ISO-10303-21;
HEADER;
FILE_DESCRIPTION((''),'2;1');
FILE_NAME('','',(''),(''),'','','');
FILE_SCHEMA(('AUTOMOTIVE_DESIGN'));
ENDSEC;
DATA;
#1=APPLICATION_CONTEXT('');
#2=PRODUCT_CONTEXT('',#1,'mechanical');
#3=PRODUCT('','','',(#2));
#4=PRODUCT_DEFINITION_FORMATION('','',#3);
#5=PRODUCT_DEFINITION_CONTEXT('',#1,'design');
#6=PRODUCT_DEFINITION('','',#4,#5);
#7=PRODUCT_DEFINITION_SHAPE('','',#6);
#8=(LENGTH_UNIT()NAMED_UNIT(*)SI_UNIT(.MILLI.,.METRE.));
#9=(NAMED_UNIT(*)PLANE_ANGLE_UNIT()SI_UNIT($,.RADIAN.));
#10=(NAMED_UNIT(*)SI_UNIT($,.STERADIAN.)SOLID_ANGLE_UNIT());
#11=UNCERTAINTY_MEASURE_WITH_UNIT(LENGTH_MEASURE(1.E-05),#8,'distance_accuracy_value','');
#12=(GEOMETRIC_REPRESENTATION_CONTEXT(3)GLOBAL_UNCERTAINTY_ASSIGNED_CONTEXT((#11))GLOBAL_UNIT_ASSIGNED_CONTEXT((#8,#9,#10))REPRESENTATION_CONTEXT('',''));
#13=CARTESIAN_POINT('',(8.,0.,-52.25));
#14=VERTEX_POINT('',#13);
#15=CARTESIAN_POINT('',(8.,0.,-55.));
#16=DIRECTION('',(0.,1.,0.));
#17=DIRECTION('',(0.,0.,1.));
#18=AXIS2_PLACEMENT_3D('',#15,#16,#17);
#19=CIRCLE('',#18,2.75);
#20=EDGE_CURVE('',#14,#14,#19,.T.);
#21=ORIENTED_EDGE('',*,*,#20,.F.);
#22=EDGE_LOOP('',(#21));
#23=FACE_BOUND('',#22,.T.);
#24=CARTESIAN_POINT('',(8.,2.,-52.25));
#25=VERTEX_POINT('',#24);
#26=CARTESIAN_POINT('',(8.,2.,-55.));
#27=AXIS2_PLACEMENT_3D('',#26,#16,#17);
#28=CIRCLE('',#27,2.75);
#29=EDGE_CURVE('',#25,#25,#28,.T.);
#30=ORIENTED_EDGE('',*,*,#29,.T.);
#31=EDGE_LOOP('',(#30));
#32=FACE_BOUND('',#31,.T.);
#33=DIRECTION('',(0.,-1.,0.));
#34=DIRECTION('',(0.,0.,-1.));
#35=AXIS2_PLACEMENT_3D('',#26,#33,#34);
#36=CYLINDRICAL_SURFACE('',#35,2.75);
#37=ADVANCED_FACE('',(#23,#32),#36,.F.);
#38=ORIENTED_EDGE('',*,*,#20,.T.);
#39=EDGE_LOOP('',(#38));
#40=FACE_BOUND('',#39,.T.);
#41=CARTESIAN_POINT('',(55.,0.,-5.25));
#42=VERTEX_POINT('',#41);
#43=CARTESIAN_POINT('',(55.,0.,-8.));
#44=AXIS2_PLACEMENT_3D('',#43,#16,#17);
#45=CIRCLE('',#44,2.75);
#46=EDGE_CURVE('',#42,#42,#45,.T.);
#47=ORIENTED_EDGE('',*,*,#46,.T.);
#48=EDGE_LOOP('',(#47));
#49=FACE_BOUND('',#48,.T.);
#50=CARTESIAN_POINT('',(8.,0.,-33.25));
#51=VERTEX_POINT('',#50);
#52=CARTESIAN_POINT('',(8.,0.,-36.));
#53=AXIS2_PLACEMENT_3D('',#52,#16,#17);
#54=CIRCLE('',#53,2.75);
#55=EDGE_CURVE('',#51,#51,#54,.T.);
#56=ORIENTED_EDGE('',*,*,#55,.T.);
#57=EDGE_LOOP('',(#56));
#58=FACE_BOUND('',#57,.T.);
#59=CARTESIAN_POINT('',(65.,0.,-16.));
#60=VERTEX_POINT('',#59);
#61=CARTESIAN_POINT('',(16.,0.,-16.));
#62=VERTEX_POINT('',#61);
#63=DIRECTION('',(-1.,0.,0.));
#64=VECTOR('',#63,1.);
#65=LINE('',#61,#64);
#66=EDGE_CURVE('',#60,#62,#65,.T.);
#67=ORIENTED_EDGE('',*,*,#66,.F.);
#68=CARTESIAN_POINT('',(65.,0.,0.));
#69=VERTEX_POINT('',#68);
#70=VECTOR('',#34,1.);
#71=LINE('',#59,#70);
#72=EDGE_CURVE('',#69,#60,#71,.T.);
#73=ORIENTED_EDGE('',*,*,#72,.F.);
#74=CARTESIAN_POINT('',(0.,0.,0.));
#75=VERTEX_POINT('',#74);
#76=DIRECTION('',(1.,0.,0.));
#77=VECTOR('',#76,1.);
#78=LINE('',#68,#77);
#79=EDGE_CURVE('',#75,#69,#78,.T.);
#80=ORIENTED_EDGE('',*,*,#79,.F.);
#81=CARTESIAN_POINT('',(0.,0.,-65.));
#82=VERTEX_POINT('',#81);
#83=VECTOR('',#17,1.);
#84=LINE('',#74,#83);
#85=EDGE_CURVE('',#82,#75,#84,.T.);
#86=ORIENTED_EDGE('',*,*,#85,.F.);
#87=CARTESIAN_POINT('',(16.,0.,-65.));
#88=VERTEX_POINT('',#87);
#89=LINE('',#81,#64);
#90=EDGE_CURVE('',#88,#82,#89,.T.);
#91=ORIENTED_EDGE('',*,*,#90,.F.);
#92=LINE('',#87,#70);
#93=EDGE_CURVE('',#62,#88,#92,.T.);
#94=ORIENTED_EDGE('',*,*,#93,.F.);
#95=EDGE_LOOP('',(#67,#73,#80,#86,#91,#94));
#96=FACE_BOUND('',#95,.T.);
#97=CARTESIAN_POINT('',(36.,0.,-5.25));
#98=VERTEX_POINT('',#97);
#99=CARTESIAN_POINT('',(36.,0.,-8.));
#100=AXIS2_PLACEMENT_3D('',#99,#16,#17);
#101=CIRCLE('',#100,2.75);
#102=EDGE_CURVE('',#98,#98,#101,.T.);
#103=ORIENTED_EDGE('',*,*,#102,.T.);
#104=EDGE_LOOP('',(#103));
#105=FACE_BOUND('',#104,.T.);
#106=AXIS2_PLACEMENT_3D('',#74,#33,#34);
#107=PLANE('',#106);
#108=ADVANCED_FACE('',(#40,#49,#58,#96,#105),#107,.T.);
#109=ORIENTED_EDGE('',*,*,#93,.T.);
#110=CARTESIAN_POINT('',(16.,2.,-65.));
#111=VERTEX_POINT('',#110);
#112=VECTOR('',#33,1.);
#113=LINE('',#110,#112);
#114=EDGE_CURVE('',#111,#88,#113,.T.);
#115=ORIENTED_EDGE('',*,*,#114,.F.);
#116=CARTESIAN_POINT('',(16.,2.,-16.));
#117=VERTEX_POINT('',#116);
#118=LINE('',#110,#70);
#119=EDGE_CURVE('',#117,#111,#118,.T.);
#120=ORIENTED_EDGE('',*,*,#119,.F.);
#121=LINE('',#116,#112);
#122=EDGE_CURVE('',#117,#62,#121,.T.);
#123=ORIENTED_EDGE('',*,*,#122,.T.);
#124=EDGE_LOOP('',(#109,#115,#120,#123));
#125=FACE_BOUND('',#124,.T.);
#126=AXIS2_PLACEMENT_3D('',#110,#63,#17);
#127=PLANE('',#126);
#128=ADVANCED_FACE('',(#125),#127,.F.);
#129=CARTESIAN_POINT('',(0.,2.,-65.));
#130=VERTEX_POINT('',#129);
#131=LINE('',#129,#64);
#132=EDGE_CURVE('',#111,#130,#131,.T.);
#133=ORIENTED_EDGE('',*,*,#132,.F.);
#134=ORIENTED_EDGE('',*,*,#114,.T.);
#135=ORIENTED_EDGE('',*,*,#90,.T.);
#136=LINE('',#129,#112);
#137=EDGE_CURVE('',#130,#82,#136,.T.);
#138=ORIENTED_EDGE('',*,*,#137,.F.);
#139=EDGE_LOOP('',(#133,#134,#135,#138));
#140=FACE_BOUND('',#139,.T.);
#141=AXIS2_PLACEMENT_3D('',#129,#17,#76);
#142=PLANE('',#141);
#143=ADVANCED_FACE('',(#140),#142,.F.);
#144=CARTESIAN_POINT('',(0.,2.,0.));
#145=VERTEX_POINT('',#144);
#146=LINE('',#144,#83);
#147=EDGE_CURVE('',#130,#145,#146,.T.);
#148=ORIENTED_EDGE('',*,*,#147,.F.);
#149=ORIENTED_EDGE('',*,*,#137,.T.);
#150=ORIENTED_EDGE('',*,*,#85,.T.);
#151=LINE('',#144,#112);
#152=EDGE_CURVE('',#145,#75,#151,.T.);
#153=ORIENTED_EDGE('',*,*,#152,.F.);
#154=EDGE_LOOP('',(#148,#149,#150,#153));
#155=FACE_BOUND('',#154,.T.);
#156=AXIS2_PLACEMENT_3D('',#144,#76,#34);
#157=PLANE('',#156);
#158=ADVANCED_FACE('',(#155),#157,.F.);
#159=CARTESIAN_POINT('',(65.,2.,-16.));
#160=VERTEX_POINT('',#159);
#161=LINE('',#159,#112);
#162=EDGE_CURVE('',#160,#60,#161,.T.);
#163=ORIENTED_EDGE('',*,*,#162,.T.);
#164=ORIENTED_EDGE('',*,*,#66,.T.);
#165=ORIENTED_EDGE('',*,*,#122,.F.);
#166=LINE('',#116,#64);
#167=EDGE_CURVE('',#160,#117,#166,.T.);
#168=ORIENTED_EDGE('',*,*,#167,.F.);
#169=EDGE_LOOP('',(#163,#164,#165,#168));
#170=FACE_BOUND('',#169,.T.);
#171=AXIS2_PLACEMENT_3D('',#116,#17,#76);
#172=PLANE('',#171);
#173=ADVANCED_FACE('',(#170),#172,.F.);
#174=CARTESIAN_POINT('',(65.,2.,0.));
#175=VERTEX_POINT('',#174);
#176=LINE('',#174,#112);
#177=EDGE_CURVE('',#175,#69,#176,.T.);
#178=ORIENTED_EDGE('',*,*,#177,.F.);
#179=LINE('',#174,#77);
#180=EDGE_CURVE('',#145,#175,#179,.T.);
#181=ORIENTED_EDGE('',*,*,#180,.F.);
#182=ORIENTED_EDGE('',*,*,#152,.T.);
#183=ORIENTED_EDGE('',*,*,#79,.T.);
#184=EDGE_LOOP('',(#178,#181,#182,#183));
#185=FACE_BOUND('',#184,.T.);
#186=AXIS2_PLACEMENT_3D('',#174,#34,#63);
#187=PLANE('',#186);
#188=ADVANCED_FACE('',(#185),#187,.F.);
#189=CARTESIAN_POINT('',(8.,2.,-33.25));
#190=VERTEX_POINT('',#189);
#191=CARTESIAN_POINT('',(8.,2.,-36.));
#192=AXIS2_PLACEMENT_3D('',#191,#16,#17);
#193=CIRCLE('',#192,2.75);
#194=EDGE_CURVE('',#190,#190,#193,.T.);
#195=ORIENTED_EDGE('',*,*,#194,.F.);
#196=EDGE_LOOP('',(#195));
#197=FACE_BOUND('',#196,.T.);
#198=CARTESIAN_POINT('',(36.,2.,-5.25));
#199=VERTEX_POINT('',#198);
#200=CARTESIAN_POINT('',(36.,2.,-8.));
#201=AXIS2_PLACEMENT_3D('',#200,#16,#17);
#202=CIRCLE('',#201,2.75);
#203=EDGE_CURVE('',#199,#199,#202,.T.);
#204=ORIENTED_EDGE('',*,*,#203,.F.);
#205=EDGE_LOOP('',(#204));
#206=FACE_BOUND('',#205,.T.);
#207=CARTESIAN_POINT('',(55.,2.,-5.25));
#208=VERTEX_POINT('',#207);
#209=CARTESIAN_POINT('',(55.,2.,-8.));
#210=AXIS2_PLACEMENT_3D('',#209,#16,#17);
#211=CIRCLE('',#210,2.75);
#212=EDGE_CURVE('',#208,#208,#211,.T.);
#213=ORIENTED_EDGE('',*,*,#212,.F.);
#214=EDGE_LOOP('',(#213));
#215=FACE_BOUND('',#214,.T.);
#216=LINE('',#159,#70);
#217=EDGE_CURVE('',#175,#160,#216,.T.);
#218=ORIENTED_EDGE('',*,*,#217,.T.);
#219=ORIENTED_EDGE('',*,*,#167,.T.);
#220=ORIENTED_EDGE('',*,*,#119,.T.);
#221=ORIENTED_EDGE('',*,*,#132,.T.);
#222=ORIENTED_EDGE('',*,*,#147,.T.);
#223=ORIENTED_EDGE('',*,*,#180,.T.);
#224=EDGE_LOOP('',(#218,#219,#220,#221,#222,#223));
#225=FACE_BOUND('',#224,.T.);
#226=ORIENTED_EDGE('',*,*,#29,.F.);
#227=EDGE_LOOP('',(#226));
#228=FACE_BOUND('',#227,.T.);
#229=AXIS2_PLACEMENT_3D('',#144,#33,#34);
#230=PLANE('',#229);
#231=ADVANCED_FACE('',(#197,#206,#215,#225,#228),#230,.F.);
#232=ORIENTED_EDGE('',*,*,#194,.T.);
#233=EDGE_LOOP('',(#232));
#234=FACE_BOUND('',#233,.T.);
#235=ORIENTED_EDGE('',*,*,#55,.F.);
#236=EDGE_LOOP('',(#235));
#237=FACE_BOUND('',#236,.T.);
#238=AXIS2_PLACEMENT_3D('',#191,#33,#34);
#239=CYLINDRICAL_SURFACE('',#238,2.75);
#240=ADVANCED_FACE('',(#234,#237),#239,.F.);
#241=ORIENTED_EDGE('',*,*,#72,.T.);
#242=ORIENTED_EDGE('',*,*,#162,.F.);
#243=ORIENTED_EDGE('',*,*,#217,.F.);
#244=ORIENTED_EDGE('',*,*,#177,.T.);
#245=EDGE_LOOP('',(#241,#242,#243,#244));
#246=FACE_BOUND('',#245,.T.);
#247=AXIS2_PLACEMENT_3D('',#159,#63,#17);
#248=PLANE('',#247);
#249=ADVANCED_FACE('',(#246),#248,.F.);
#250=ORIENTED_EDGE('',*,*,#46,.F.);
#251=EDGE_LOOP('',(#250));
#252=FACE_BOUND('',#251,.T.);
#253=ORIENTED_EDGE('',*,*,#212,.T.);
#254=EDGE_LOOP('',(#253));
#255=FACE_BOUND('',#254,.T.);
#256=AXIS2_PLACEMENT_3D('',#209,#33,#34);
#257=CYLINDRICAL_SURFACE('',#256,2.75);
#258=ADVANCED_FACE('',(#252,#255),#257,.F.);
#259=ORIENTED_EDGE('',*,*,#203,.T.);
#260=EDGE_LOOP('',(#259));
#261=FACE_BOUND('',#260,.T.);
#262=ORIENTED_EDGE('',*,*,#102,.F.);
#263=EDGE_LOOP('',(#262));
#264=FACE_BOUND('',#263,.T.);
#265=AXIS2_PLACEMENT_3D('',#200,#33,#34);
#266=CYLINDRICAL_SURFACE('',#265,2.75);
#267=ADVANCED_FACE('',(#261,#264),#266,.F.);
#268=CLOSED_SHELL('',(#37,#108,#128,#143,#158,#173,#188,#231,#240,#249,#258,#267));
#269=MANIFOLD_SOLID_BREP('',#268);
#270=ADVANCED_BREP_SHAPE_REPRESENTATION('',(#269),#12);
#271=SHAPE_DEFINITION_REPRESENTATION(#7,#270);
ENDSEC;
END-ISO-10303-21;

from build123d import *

# Parameters (mm, degrees)
SKETCH_1_R      = 2.75
EXTRUDE_1_DEPTH = 2


with BuildPart() as part:
    # 草图1 → 凸台-拉伸1 (new body)
    with BuildSketch(Plane(origin=(0, 0, 0), x_dir=(1, 0, 0), z_dir=(0, 1, 0))):
        Polygon((0, 0), (0, 65), (16, 65), (16, 16), (65, 16), (65, 0), align=None)
        with Locations((8, 55)):
            Circle(SKETCH_1_R, mode=Mode.SUBTRACT)
        with Locations((8, 36)):
            Circle(SKETCH_1_R, mode=Mode.SUBTRACT)
        with Locations((36, 8)):
            Circle(SKETCH_1_R, mode=Mode.SUBTRACT)
        with Locations((55, 8)):
            Circle(SKETCH_1_R, mode=Mode.SUBTRACT)
    extrude(amount=EXTRUDE_1_DEPTH)


solid = part.part
